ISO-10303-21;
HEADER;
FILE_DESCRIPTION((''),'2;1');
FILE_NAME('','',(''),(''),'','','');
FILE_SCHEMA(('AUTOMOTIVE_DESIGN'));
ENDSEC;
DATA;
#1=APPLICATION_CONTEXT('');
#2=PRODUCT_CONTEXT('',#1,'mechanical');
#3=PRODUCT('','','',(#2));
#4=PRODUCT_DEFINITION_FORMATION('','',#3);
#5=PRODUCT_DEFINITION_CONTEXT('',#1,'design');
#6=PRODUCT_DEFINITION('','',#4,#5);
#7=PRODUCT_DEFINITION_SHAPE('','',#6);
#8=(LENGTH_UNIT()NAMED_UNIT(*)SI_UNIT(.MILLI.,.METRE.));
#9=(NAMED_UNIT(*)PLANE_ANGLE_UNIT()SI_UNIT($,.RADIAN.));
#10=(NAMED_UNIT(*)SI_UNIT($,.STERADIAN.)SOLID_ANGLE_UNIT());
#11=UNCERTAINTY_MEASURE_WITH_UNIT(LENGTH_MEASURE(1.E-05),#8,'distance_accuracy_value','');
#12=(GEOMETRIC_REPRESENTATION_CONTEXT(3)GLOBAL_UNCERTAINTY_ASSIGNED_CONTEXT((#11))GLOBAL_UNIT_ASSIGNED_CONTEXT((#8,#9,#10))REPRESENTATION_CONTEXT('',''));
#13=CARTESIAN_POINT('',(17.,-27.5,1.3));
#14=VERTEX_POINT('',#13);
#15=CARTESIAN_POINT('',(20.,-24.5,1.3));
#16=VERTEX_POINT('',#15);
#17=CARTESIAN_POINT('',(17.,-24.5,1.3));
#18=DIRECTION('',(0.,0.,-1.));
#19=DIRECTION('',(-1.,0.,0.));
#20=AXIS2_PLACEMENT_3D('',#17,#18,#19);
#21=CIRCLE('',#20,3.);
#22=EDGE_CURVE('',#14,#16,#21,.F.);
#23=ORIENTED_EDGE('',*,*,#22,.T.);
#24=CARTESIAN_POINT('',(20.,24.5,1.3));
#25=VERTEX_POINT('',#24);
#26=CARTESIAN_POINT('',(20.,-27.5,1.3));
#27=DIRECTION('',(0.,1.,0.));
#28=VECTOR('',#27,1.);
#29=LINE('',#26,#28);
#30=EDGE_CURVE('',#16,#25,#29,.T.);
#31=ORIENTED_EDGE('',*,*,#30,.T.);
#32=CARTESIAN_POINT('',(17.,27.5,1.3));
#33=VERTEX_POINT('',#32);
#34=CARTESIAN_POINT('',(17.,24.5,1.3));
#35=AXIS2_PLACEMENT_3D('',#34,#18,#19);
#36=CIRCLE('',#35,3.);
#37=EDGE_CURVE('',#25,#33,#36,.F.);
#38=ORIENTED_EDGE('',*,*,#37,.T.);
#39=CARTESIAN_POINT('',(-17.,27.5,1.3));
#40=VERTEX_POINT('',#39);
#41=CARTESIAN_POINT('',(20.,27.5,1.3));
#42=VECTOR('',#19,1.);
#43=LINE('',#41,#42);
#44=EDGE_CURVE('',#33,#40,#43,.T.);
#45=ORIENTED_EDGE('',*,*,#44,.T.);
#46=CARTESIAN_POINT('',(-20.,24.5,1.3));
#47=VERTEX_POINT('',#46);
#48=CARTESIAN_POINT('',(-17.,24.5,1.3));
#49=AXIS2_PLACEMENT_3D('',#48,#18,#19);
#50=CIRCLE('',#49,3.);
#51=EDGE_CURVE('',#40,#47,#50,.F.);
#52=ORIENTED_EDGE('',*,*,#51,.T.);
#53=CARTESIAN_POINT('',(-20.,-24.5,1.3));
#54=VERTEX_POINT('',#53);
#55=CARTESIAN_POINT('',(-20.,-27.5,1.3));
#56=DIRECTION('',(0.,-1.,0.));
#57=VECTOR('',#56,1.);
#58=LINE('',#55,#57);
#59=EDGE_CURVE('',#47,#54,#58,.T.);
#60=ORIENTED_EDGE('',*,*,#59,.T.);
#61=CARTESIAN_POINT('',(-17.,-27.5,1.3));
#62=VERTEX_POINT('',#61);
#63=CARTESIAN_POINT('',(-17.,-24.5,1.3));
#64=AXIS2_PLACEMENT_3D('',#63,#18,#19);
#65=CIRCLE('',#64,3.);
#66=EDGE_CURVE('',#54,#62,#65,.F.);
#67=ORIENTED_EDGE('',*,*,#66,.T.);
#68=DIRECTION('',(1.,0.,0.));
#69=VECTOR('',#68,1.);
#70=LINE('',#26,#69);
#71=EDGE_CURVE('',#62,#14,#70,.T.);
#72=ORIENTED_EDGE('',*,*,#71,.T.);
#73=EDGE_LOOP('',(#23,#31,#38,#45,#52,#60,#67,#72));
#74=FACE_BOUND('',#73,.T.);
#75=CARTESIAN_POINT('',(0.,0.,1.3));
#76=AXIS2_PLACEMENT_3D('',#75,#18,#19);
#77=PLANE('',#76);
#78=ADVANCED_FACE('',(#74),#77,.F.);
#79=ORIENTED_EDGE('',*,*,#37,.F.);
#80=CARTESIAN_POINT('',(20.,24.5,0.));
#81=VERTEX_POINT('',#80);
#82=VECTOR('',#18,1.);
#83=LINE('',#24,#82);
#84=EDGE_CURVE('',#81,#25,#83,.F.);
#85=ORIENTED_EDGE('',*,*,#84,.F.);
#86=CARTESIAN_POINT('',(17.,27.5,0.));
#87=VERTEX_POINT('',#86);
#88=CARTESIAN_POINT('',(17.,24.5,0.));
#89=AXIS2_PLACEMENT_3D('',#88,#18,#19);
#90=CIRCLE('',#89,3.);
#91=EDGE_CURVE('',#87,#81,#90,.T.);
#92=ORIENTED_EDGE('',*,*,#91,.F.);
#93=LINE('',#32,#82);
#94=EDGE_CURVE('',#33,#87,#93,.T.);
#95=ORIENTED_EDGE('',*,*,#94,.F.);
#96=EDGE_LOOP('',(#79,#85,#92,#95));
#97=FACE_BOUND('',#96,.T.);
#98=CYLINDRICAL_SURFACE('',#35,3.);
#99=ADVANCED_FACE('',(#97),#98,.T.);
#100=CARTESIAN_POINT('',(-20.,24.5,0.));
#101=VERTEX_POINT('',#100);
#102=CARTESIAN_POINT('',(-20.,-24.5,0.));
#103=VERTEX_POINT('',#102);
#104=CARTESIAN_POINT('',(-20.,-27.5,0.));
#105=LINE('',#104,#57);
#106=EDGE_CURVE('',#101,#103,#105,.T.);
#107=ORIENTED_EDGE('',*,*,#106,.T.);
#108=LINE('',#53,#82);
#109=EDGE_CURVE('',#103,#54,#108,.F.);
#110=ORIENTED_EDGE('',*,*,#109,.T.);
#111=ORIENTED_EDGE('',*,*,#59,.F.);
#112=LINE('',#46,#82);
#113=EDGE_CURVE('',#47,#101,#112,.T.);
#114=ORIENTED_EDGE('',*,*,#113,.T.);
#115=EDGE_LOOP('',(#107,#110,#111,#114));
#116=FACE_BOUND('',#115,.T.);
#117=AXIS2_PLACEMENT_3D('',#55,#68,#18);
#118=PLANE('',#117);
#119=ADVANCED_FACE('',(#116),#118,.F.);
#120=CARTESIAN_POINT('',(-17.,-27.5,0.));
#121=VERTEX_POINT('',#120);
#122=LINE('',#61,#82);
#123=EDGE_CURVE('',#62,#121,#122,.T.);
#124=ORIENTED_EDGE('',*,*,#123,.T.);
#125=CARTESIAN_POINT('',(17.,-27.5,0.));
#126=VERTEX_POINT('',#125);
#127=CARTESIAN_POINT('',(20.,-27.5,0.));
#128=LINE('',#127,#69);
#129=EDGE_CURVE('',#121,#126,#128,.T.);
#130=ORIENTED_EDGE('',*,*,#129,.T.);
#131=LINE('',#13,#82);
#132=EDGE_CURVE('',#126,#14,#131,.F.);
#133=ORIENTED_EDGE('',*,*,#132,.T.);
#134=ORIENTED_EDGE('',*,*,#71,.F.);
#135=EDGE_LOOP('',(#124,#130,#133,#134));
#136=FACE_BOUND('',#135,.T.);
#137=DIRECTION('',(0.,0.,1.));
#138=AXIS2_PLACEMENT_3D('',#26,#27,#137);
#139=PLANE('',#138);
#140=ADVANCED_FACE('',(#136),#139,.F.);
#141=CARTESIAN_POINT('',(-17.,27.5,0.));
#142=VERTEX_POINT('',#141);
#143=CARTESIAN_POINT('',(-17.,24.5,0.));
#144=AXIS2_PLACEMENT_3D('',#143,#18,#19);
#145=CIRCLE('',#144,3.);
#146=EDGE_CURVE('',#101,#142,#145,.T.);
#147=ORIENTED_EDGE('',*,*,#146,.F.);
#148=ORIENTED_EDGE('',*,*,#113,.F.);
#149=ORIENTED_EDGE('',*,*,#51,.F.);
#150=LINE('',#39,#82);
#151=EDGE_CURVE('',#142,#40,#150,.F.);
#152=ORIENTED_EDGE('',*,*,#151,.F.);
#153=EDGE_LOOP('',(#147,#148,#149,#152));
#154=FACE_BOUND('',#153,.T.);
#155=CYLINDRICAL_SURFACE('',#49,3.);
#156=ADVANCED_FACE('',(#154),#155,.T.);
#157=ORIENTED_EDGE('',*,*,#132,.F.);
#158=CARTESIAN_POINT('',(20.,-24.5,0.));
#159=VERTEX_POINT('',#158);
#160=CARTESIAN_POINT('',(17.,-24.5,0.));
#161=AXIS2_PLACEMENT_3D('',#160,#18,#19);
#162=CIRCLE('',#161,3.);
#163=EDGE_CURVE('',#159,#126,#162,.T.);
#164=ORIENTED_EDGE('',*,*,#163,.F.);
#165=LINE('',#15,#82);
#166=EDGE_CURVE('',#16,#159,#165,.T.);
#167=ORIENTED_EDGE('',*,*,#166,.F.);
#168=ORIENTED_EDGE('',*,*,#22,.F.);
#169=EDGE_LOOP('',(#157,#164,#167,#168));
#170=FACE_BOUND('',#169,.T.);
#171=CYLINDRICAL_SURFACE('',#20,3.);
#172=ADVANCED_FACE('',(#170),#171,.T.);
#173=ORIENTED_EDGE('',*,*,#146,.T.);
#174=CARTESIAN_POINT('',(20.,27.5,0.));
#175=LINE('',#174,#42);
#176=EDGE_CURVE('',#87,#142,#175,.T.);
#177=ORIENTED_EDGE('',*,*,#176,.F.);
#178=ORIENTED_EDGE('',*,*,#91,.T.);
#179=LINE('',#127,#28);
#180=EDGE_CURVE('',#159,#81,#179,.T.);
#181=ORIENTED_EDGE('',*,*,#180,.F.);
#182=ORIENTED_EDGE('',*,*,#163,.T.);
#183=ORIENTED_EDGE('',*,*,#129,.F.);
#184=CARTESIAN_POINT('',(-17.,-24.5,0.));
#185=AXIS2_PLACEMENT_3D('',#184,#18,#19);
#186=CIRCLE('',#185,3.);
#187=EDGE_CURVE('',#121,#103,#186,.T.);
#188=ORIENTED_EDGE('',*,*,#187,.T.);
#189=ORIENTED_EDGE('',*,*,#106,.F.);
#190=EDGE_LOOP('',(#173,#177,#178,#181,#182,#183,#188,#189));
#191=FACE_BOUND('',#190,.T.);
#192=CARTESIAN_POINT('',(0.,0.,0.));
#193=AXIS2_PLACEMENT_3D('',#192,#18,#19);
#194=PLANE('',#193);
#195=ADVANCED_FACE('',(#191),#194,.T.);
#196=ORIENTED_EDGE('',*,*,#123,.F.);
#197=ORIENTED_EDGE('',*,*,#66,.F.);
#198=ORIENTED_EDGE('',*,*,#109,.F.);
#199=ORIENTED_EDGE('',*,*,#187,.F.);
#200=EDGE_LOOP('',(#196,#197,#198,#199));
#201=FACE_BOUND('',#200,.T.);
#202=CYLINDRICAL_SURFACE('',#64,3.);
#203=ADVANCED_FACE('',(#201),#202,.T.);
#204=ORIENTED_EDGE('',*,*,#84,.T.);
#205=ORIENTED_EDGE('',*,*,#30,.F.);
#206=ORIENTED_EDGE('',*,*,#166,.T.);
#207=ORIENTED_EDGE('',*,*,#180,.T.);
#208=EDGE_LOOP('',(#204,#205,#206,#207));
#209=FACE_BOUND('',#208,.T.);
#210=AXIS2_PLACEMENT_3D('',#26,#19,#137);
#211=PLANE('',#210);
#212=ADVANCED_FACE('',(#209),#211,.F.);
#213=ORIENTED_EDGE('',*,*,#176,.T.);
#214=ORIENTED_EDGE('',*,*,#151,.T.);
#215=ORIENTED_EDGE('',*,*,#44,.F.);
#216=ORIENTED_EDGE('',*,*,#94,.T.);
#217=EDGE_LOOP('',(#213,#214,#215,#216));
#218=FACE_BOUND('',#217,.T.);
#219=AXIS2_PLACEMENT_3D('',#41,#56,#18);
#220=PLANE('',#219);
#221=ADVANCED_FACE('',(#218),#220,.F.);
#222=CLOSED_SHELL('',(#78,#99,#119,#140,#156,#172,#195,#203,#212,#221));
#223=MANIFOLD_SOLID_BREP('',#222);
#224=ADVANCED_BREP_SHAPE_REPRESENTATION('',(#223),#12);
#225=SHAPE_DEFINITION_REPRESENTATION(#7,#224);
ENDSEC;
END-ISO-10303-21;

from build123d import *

# Parameters (mm, degrees)
SKETCH1_W           = 55
SKETCH1_H           = 40
BOSS_EXTRUDE1_DEPTH = 1.3
FILLET1_R           = 3


with BuildPart() as part:
    # Sketch1 → Boss-Extrude1 (new body)
    with BuildSketch(Plane(origin=(0, 0, 0), x_dir=(0, 1, 0), z_dir=(0, 0, 1))):
        Rectangle(SKETCH1_W, SKETCH1_H)
    extrude(amount=BOSS_EXTRUDE1_DEPTH)

    # Fillet1
    fillet1_edges = [part.edges().sort_by_distance(p)[0] for p in [
        (20, 27.5, 0.65),
        (20, -27.5, 0.65),
        (-20, -27.5, 0.65),
        (-20, 27.5, 0.65),
    ]]
    fillet(fillet1_edges, radius=FILLET1_R)


solid = part.part
